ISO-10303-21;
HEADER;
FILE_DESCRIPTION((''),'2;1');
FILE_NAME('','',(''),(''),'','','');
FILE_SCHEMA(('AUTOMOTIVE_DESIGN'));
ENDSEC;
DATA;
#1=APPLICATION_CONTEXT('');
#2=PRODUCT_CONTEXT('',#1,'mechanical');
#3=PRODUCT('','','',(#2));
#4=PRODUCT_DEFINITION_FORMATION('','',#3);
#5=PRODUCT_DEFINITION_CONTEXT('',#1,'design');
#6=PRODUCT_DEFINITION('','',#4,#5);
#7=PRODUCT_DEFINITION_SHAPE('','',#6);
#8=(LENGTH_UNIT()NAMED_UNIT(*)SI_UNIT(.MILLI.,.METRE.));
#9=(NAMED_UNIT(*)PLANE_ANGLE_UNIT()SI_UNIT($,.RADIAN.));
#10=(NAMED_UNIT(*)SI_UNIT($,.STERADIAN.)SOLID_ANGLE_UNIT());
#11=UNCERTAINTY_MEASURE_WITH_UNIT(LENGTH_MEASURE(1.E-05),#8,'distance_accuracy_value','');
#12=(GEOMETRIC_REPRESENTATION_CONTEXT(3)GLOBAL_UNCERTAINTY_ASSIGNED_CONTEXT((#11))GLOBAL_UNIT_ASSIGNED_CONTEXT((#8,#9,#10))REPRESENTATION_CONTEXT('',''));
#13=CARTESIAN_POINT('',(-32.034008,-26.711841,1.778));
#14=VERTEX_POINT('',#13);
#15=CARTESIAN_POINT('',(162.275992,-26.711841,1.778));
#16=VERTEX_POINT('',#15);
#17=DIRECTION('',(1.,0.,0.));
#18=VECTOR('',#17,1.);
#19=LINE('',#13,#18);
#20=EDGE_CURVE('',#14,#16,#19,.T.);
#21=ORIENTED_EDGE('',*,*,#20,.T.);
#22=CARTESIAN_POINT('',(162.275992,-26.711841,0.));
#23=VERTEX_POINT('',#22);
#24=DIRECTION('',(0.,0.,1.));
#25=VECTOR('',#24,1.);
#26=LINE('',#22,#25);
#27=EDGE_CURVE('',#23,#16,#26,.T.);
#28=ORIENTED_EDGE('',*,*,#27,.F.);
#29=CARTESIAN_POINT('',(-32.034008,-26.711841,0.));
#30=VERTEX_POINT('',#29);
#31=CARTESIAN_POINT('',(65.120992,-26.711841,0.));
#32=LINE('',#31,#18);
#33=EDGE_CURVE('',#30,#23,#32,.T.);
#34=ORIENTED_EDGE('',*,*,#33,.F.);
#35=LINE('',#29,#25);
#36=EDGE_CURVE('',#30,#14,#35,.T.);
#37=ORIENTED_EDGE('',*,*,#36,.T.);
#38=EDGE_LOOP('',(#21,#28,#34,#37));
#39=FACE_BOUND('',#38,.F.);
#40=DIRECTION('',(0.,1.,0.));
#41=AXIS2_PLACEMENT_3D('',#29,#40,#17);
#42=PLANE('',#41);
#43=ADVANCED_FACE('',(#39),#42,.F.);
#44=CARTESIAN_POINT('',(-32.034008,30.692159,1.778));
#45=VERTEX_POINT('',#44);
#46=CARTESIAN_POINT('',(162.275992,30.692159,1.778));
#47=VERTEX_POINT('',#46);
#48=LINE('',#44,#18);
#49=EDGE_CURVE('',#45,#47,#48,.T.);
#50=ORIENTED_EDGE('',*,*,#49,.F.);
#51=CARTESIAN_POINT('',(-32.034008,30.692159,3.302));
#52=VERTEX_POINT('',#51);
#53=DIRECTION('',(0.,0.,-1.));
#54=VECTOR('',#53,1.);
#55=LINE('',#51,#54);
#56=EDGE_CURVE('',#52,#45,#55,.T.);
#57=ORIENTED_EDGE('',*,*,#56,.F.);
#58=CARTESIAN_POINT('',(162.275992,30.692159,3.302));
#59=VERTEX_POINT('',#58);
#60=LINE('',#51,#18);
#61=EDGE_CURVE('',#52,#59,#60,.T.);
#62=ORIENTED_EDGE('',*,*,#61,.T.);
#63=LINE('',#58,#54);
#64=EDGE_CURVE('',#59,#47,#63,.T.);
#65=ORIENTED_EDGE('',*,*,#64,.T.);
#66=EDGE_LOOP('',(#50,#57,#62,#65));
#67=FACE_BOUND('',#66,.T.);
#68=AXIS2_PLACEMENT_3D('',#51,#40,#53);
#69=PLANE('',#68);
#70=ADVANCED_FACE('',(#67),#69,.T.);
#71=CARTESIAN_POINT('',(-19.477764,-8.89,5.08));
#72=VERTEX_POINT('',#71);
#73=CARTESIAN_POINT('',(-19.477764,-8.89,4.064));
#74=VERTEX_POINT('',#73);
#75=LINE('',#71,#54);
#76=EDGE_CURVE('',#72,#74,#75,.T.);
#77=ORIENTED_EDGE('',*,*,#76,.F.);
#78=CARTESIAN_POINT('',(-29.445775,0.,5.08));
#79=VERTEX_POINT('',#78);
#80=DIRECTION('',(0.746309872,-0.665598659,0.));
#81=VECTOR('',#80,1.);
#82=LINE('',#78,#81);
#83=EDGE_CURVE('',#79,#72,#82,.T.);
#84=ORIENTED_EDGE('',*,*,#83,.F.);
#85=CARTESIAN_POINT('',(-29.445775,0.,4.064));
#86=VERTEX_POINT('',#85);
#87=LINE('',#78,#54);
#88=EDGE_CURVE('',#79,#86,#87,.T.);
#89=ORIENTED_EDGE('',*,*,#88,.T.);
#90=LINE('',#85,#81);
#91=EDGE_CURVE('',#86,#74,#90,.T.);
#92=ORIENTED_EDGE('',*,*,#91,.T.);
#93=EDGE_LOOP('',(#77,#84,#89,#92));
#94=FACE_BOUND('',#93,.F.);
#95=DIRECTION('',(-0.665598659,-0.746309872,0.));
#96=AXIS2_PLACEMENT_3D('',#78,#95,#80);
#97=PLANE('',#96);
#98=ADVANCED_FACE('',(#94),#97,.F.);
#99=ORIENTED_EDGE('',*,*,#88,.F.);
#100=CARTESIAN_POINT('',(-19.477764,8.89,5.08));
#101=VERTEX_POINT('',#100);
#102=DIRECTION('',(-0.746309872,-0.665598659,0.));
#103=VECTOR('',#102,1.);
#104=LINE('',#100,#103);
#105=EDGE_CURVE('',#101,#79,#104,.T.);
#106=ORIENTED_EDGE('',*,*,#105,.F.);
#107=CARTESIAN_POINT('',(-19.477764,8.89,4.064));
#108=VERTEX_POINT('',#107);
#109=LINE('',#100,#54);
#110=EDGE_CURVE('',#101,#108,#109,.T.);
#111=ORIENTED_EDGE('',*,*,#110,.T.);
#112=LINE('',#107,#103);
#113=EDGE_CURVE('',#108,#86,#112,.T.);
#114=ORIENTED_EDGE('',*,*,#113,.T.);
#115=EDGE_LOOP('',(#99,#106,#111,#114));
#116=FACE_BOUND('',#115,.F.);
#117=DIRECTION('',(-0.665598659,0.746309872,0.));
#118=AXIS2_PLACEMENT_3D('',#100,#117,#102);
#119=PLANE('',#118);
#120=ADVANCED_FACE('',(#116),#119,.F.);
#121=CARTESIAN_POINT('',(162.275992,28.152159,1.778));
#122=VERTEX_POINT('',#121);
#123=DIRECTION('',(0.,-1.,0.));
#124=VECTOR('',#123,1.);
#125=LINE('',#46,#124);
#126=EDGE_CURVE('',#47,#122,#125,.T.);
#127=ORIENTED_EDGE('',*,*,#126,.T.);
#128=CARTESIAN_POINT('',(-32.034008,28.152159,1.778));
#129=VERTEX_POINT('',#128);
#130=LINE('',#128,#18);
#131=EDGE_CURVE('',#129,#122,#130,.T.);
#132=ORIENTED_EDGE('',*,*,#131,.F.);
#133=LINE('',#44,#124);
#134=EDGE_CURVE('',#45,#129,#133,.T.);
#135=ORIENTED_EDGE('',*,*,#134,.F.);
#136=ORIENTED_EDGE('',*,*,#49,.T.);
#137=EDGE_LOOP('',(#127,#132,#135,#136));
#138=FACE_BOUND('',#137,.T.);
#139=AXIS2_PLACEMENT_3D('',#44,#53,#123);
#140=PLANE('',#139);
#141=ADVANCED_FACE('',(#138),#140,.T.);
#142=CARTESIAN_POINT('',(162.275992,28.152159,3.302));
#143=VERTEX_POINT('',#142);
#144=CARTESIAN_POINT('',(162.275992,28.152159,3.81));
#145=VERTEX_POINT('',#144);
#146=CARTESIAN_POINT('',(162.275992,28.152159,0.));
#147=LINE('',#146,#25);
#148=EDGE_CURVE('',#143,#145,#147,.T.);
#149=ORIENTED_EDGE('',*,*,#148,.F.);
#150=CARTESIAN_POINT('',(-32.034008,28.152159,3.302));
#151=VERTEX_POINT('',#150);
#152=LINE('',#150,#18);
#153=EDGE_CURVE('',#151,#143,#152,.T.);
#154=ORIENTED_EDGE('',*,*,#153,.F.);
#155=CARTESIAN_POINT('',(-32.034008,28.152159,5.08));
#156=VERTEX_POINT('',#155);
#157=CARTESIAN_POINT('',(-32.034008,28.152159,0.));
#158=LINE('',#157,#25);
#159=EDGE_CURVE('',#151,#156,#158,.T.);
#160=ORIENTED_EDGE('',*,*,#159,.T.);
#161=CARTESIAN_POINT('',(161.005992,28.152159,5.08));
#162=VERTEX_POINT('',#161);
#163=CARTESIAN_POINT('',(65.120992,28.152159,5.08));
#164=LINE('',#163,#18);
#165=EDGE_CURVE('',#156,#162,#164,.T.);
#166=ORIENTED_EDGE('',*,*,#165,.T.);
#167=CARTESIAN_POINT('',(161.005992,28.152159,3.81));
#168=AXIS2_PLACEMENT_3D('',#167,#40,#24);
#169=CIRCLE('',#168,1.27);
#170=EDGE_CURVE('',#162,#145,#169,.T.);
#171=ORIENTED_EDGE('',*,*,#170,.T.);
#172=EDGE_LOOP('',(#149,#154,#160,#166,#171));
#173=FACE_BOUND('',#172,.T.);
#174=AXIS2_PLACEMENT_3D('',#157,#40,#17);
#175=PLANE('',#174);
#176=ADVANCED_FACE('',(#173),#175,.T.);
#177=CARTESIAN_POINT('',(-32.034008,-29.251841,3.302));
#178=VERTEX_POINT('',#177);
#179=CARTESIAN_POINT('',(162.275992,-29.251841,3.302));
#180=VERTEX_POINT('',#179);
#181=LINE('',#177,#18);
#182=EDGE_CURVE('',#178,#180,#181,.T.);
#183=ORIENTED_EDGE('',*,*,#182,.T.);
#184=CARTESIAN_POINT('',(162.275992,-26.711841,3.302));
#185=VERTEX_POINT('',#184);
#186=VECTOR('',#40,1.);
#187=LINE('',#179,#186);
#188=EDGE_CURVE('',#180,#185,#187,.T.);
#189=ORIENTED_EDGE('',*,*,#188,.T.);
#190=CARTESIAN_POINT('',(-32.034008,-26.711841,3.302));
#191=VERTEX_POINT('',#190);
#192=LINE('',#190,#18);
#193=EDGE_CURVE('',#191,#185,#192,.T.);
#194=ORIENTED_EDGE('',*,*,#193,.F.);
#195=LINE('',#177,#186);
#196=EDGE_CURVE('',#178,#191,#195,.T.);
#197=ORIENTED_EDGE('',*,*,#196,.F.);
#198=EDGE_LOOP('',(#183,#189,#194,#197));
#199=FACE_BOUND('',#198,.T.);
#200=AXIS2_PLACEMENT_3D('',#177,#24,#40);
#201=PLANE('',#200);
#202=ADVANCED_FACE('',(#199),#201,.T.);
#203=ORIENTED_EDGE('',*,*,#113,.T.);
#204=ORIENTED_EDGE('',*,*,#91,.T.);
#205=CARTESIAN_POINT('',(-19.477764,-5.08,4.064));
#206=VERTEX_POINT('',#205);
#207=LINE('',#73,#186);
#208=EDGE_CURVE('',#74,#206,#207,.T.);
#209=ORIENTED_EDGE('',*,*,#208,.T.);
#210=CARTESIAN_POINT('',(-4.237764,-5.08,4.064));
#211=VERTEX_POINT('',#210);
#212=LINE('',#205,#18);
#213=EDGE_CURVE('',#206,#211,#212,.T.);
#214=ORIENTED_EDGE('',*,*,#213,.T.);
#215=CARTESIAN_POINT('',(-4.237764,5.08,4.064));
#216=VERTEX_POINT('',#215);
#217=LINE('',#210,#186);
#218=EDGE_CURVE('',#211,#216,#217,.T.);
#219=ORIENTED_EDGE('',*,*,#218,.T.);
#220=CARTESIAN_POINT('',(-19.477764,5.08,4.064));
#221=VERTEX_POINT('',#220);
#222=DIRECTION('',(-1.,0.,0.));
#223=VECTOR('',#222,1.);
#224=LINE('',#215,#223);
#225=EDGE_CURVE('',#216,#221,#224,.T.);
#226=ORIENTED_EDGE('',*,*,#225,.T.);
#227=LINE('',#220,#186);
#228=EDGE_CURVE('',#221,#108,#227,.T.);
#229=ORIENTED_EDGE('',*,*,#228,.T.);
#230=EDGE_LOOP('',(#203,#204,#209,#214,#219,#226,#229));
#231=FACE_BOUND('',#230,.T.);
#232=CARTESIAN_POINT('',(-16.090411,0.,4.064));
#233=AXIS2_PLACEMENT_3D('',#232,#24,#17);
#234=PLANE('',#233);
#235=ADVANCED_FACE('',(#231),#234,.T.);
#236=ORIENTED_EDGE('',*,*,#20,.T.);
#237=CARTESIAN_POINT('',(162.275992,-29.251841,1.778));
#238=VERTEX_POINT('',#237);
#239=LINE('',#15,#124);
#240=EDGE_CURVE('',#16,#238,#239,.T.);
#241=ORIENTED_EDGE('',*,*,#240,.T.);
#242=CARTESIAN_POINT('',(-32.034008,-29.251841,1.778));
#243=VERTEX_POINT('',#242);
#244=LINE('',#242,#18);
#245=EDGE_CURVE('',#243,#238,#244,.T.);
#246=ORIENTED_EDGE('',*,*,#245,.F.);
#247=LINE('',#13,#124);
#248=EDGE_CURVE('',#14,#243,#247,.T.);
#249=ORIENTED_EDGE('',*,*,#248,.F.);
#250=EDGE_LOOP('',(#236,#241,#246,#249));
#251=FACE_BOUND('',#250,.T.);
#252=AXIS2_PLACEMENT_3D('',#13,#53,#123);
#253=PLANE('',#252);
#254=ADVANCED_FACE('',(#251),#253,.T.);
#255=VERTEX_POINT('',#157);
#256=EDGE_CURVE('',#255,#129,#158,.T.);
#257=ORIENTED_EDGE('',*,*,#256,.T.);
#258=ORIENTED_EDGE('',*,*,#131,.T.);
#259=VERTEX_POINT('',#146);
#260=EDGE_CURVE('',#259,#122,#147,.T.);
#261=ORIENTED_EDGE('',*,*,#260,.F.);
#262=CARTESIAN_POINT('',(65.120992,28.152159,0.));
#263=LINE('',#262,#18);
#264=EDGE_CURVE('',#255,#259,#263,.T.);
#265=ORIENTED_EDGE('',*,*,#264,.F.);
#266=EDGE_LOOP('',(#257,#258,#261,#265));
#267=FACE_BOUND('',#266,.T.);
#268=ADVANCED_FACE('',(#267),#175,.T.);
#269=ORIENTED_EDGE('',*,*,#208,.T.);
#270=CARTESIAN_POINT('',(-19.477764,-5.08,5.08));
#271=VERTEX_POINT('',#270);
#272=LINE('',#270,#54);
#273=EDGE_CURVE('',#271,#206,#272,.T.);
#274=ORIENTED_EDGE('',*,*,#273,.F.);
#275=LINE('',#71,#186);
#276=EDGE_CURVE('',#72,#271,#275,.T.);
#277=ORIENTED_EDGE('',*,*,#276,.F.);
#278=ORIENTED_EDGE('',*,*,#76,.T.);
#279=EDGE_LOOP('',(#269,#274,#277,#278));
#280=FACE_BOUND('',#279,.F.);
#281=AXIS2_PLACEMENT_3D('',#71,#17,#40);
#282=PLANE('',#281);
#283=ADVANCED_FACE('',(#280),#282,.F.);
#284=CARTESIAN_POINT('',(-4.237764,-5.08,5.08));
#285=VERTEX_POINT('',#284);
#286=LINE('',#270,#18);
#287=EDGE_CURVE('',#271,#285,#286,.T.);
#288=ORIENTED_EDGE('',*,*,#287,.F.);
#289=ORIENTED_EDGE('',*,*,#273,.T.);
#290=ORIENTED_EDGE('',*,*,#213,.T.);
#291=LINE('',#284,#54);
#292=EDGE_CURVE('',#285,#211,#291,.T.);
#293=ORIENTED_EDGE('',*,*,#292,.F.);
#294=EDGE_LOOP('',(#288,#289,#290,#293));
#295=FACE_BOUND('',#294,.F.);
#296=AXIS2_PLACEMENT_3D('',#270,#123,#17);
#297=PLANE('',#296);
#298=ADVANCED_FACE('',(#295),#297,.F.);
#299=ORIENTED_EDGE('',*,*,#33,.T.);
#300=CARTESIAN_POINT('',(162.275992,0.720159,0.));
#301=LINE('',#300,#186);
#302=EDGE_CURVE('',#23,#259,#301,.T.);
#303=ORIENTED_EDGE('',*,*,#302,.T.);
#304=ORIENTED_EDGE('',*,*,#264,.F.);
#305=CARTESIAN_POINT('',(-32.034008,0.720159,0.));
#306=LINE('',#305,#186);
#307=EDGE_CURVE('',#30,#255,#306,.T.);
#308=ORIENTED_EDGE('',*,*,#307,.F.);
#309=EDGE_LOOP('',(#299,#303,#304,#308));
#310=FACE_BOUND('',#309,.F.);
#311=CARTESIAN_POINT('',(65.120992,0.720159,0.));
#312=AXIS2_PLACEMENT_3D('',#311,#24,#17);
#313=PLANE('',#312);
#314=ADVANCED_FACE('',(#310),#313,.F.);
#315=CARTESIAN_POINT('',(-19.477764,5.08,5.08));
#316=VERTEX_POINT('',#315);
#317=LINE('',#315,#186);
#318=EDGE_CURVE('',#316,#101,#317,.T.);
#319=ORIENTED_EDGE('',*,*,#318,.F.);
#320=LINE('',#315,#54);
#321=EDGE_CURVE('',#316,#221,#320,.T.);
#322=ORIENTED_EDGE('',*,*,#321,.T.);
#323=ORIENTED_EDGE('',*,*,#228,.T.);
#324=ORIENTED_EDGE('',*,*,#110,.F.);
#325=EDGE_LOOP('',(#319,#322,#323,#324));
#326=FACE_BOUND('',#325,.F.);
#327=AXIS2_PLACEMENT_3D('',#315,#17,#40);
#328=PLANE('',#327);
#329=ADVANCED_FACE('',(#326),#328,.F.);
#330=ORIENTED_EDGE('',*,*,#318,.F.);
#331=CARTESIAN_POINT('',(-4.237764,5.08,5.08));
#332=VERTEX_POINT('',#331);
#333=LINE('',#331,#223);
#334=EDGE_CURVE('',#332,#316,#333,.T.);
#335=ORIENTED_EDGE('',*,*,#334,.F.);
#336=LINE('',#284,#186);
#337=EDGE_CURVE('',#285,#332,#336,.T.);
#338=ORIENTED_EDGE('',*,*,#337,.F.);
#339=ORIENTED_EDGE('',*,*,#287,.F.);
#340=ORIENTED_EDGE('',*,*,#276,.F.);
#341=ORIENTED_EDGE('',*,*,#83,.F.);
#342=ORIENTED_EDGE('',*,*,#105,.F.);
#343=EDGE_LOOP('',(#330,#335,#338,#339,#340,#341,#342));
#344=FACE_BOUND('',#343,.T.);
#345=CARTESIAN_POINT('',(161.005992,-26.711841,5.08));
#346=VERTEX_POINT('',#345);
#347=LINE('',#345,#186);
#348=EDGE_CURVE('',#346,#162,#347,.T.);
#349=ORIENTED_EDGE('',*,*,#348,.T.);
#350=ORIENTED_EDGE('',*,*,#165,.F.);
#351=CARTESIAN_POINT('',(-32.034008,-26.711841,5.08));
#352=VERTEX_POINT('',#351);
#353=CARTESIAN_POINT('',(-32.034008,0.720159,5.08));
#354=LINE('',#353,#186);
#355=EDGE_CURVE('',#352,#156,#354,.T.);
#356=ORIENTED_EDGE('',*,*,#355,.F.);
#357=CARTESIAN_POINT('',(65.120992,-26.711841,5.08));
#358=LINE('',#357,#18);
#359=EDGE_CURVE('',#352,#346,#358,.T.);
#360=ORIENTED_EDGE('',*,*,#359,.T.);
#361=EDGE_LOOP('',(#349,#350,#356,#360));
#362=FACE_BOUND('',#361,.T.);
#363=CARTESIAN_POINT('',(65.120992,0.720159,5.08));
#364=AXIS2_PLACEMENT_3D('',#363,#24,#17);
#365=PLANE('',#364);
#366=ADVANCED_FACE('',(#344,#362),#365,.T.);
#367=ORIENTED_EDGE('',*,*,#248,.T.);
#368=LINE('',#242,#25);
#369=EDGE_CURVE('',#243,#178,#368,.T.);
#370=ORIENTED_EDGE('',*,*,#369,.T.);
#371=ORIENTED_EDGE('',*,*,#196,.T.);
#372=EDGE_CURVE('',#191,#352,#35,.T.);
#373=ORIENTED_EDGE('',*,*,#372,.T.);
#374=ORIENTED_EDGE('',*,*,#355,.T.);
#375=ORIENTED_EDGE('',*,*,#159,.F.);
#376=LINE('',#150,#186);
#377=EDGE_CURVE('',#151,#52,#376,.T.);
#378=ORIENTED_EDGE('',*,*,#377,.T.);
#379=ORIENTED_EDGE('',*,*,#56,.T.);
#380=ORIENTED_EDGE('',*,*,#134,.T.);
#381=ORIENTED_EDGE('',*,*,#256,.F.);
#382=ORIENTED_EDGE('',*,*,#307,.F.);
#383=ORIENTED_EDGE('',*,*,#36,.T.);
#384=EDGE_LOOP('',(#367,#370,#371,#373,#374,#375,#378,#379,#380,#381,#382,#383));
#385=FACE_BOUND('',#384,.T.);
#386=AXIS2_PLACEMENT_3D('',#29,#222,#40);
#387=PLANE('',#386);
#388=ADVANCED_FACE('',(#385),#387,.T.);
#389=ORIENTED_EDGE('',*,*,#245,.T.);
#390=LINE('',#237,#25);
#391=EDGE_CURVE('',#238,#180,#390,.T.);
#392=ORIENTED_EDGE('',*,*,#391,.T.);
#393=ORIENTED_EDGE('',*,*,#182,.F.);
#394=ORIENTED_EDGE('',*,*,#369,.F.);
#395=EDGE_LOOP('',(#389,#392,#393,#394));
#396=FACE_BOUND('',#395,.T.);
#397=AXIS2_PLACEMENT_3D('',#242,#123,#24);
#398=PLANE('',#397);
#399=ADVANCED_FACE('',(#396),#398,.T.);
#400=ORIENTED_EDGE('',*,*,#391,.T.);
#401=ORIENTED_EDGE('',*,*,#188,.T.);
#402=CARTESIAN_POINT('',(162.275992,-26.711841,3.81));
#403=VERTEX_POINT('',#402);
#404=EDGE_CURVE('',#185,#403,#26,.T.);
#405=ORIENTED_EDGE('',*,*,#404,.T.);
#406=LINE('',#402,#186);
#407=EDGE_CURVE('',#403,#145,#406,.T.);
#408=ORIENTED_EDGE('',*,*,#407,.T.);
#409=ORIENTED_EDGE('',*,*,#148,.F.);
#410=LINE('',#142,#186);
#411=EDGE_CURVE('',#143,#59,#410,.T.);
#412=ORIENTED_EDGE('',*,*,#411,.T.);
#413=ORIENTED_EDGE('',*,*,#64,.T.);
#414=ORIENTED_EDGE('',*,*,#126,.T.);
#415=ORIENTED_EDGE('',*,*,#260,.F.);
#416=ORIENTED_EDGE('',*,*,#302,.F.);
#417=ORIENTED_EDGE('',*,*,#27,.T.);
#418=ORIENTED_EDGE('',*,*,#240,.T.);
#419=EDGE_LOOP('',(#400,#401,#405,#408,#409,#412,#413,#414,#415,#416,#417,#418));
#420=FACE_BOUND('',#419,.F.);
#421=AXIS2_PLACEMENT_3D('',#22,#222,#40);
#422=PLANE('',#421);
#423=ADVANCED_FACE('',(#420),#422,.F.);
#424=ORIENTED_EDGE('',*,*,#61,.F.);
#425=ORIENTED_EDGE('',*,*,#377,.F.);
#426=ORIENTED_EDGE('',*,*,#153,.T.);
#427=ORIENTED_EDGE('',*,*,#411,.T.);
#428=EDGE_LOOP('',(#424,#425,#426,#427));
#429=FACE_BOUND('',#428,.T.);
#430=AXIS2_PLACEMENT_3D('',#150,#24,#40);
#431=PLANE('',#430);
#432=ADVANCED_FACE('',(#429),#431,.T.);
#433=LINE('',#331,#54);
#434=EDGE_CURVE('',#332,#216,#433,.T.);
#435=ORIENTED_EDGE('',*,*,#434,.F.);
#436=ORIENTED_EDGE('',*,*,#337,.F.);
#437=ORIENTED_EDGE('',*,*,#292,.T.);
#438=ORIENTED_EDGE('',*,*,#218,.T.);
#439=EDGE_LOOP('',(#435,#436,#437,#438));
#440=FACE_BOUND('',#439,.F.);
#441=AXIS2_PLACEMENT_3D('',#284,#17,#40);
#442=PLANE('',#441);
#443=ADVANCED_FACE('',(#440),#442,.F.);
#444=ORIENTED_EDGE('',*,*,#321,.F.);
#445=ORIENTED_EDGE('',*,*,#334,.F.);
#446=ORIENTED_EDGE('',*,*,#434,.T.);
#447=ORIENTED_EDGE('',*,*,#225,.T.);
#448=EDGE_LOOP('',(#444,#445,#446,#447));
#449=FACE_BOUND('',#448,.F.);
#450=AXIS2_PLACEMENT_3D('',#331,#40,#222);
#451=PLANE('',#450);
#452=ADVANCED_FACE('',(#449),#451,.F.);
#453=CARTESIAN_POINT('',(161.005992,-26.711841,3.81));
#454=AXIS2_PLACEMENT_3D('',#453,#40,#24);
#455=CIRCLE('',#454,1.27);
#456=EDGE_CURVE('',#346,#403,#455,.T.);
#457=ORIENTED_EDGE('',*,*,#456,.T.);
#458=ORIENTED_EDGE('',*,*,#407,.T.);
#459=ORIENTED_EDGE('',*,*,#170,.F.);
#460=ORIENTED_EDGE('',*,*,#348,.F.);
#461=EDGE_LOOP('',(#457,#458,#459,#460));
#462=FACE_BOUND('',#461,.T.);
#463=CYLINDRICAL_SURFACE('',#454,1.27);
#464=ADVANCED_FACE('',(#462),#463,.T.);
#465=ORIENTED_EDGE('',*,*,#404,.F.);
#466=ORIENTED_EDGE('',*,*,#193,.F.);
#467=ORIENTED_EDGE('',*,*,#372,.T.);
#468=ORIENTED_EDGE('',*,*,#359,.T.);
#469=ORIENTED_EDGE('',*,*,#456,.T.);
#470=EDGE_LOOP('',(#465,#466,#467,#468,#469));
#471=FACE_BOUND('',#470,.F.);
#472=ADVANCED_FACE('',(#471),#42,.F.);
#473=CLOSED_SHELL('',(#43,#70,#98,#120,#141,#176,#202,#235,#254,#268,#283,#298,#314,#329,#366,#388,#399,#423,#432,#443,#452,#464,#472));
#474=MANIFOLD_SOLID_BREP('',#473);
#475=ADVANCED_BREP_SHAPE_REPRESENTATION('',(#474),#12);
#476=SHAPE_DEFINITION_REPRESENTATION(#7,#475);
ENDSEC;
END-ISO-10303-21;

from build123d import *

# Parameters (mm, degrees)
F0_W     = 194.31
F0_H     = 54.864
F1_DEPTH = 5.08
F3_DEPTH = 194.31
F4_R     = 1.27
F6_DEPTH = 1.016


with BuildPart() as f1:
    # F0 (on Top) → F1 (new body)
    with BuildSketch(Plane.XY):
        with Locations((65.120992, 0.720159)):
            Rectangle(F0_W, F0_H)
    extrude(amount=F1_DEPTH)

    # F2 (on face) → F3 (join, through all)
    with BuildSketch(Plane(origin=(-32.034008, 0, 0), x_dir=(0, -1, 0), z_dir=(-1, 0, 0))):
        Polygon((-28.152159, 1.778), (-28.152159, 3.302), (-30.692159, 3.302), (-30.692159, 2.54), (-30.692159, 1.778), align=None)
        Polygon((29.251841, 3.302), (26.711841, 3.302), (26.711841, 1.778), (29.251841, 1.778), (29.251841, 2.54), align=None)
    extrude(amount=-F3_DEPTH)

    # F4
    f4_edges = [f1.edges().sort_by_distance(p)[0] for p in [
        (162.275992, 0.720159, 5.08),
    ]]
    fillet(f4_edges, radius=F4_R)

    # F5 (on face) → F6 (cut)
    with BuildSketch(Plane.XY.offset(5.08)):
        Polygon((-4.237764, -5.08), (-4.237764, 0), (-4.237764, 5.08), (-19.477764, 5.08), (-19.477764, 8.89), (-29.445775, 0), (-19.477764, -8.89), (-19.477764, -5.08), align=None)
    extrude(amount=-F6_DEPTH, mode=Mode.SUBTRACT)


solid = f1.part
